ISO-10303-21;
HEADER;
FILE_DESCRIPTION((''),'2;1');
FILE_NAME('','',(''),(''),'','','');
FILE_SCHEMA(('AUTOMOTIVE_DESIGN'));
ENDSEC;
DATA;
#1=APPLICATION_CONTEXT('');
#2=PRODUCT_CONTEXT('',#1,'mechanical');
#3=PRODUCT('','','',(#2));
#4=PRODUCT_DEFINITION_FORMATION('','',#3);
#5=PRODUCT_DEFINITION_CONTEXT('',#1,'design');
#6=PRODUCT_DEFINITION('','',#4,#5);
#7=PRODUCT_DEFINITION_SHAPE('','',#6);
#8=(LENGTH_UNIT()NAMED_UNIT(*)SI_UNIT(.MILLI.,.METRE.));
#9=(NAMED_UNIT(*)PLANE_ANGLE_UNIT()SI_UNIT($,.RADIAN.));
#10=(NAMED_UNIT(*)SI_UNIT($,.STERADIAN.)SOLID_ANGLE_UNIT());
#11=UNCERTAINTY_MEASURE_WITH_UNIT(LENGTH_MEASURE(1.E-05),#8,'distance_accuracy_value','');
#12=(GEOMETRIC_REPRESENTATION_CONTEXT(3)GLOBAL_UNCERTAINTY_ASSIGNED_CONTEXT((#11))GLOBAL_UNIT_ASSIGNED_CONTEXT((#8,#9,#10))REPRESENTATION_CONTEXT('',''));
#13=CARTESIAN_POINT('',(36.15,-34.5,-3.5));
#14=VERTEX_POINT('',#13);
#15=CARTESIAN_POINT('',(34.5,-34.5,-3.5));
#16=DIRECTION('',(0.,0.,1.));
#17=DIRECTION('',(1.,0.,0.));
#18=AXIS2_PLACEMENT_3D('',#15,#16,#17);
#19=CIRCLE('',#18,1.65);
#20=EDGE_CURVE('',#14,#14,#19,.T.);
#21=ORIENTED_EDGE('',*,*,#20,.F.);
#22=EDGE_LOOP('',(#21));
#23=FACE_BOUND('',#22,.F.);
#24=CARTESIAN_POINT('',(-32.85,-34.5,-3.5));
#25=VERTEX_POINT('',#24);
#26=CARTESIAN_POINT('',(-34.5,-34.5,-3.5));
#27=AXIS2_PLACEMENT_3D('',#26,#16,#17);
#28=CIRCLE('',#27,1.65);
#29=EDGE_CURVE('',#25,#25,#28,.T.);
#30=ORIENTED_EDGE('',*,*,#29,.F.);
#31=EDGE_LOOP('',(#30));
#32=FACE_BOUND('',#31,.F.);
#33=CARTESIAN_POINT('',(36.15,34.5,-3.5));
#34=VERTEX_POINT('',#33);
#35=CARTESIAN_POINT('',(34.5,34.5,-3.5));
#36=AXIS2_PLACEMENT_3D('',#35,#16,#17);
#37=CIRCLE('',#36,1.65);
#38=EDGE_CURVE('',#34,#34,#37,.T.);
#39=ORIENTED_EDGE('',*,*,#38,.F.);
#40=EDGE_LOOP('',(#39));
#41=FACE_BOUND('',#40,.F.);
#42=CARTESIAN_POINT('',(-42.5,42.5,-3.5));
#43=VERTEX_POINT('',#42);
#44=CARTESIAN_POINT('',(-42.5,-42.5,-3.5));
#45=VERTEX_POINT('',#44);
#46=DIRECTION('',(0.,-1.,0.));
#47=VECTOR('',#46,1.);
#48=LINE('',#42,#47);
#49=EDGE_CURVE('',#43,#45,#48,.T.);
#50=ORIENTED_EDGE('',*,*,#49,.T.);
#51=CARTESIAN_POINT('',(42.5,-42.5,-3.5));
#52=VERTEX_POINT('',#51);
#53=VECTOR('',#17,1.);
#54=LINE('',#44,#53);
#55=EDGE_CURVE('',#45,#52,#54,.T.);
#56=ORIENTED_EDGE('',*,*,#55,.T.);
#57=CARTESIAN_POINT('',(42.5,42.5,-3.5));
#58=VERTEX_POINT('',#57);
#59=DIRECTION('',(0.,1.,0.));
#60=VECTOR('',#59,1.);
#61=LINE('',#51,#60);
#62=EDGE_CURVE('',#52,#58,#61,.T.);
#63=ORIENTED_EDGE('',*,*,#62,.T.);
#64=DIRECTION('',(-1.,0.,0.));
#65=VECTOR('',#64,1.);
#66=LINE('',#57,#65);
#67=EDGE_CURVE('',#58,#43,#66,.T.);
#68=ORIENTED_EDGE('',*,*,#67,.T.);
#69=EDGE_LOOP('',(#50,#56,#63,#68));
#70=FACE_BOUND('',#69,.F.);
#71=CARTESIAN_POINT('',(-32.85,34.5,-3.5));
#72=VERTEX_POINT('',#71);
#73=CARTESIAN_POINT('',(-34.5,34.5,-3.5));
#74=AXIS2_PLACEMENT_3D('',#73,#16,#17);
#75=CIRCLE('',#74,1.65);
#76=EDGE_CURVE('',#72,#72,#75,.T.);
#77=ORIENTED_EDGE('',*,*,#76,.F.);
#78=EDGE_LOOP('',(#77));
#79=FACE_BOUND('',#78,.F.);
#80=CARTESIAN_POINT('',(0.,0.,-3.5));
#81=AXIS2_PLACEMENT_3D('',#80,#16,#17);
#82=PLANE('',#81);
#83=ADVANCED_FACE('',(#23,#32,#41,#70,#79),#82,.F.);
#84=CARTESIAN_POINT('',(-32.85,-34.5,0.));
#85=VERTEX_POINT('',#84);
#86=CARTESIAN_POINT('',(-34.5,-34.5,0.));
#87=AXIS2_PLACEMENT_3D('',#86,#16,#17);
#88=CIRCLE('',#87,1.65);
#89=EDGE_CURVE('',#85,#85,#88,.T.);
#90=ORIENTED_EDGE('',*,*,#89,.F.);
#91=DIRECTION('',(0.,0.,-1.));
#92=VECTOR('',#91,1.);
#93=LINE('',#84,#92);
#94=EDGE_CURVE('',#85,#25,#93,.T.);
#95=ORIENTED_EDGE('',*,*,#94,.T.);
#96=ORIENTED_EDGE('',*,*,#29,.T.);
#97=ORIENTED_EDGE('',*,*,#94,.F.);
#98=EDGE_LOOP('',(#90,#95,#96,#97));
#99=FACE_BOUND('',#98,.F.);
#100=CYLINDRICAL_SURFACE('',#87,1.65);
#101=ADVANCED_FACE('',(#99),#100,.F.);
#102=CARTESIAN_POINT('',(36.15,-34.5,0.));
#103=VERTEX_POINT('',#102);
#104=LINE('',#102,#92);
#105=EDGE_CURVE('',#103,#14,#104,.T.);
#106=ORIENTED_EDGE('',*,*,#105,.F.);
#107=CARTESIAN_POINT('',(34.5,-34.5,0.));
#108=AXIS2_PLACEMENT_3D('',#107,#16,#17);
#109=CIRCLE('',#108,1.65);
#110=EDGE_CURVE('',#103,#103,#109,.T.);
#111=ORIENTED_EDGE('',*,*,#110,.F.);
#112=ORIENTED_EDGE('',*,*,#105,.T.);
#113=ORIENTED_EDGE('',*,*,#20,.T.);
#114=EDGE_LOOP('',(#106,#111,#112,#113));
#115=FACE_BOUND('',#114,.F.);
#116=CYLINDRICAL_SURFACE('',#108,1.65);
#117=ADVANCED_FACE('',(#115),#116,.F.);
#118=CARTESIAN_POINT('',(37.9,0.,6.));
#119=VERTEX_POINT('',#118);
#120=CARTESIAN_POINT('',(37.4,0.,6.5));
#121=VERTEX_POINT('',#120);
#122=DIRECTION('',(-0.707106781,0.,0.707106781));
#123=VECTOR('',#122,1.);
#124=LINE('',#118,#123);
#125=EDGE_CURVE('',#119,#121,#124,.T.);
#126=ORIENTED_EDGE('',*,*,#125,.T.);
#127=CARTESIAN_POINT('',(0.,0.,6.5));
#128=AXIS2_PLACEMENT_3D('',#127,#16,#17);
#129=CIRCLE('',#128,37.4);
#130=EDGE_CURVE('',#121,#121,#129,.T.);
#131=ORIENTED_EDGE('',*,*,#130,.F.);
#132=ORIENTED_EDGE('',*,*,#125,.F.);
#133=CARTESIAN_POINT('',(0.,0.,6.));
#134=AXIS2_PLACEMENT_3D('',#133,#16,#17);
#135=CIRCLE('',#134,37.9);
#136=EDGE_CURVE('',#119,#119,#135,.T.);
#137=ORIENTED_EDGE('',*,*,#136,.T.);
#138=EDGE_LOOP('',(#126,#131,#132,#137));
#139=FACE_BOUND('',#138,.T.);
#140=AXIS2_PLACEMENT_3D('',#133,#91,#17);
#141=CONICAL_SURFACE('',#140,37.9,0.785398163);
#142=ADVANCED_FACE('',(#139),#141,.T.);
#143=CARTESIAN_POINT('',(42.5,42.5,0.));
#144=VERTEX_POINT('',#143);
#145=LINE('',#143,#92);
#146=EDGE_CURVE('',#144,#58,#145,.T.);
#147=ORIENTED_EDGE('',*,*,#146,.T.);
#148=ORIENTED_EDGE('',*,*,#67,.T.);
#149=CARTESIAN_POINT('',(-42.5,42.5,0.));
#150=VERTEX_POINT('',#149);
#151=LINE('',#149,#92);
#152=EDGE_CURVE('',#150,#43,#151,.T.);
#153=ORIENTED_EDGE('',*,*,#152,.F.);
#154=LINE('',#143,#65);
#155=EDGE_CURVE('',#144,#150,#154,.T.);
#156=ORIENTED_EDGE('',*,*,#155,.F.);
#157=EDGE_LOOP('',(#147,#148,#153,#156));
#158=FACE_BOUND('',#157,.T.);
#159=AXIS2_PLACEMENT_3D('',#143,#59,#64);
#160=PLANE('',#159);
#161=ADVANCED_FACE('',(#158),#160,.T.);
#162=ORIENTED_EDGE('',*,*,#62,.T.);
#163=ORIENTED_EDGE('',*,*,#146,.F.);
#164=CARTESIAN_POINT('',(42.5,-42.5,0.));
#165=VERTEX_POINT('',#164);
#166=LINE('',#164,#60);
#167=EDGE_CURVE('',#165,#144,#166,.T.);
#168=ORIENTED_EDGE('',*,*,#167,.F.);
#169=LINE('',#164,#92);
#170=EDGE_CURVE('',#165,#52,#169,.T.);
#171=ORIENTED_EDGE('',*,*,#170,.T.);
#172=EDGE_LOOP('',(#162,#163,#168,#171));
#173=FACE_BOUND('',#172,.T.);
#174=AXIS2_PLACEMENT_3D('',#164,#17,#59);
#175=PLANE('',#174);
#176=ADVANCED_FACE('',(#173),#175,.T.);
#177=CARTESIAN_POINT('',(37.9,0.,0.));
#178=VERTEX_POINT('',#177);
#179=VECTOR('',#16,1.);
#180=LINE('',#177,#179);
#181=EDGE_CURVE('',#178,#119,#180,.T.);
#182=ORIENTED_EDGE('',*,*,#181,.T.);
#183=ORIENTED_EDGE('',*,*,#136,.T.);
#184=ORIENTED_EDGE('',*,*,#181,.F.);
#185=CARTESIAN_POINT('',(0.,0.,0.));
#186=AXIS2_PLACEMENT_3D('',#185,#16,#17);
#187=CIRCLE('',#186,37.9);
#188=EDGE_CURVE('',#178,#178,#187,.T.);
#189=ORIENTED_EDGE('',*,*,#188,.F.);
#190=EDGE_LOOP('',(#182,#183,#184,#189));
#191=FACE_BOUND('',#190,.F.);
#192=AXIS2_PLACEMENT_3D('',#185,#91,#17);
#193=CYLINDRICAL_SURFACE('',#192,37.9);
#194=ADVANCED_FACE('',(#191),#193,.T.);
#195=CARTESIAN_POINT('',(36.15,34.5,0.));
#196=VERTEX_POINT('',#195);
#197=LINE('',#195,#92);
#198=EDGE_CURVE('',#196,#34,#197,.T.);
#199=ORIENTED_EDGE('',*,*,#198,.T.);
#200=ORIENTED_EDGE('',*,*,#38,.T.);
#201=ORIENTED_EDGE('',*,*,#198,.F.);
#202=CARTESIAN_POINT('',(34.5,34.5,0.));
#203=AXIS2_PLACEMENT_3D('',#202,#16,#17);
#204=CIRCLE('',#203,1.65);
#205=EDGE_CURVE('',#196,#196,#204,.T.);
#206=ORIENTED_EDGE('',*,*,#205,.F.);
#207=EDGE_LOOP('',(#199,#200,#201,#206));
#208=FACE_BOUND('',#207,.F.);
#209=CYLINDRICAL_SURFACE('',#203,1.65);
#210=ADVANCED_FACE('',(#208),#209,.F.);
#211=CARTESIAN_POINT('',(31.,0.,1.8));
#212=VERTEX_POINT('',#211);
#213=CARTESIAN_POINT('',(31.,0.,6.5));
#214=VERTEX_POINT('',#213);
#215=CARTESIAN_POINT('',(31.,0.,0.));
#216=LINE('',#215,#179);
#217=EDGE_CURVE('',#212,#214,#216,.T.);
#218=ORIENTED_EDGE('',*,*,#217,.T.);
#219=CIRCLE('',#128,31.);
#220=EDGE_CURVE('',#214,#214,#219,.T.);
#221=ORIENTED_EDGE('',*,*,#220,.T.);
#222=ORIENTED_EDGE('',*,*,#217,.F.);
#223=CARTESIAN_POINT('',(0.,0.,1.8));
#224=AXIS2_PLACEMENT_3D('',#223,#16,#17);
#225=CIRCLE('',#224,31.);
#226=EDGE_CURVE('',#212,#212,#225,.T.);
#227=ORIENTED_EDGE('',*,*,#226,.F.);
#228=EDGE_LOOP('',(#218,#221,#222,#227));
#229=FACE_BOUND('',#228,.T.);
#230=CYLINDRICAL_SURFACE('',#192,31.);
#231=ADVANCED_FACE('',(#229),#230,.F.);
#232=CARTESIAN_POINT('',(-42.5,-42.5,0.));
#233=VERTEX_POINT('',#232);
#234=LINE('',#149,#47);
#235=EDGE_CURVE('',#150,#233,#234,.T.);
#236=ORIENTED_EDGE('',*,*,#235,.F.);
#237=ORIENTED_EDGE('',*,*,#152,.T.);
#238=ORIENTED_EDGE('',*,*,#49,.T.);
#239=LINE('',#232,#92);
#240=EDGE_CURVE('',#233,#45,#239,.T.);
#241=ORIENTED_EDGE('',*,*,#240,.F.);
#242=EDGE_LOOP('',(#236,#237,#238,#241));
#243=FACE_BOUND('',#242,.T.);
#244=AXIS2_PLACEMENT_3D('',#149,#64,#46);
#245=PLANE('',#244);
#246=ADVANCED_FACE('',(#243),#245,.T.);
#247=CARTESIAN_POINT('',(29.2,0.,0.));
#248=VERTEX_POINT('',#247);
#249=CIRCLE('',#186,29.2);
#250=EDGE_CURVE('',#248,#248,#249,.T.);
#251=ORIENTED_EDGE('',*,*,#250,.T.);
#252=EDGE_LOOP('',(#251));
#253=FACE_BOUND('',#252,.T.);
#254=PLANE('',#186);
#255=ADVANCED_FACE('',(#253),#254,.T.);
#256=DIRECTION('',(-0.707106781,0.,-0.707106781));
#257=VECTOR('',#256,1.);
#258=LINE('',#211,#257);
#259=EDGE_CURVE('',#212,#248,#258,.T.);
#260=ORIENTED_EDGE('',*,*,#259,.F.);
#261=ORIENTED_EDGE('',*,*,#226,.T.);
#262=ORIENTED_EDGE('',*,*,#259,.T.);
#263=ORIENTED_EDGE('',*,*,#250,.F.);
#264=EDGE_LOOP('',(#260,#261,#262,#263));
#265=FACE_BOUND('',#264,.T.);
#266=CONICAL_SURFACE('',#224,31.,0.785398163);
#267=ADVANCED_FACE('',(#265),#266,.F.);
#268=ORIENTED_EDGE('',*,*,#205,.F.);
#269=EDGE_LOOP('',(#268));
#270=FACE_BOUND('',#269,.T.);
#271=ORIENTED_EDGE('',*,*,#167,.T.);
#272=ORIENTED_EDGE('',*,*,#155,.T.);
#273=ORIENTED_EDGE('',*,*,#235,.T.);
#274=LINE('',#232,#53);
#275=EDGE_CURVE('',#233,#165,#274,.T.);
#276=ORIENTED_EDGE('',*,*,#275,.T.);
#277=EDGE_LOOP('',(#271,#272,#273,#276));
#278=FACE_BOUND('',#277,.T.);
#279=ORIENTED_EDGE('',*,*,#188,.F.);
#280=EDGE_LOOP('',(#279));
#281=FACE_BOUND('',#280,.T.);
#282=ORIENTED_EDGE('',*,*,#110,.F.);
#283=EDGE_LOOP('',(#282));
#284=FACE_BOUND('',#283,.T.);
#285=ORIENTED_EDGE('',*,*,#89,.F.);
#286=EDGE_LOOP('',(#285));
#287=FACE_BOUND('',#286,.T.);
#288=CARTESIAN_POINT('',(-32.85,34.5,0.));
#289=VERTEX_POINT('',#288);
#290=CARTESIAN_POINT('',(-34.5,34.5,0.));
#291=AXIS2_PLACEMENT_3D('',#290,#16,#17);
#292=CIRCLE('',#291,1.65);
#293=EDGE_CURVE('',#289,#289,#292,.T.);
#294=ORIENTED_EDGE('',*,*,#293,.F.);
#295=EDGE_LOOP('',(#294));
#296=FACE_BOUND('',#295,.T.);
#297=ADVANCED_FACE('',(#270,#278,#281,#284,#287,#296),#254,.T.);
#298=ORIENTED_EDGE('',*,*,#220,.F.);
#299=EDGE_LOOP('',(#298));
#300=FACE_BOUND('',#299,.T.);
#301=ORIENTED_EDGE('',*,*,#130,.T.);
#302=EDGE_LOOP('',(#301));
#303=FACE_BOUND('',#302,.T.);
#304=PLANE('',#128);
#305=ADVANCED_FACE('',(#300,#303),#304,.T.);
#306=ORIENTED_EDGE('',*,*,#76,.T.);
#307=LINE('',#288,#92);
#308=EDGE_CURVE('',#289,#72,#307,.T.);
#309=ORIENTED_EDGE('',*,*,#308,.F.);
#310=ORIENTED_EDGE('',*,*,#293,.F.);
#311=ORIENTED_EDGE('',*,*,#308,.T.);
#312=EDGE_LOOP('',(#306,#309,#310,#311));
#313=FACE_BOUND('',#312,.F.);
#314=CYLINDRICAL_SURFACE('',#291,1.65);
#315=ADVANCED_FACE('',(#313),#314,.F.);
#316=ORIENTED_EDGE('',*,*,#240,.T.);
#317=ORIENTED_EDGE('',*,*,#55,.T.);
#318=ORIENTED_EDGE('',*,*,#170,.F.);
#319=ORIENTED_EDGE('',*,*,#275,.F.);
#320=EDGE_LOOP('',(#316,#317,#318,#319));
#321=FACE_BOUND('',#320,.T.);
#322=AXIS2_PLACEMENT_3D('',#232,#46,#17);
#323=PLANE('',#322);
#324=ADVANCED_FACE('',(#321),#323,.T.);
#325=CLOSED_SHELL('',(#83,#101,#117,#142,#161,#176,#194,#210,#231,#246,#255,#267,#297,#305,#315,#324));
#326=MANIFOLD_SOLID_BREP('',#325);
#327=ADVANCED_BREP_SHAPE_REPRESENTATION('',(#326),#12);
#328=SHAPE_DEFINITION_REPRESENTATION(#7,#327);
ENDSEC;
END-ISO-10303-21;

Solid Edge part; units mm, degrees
sketch "Sketch1" plane through (0, 0, 0) normal (0, 0, 1) x (1, 0, 0)
  circle A0 centre (34.5, 34.5) radius 1.65
  circle A1 centre (-34.5, 34.5) radius 1.65
  circle A2 centre (-34.5, -34.5) radius 1.65
  circle A3 centre (34.5, -34.5) radius 1.65
  line L0 (42.5, 42.5) -> (-42.5, 42.5)
  line L1 (-42.5, 42.5) -> (-42.5, -42.5)
  line L2 (-42.5, -42.5) -> (42.5, -42.5)
  line L3 (42.5, -42.5) -> (42.5, 42.5)
extrude "Protrusion1" add sketch "Sketch1" against normal blind 3.5
sketch "Sketch2" plane through (0, 0, 0) normal (0, 0, 1) x (1, 0, 0)
  circle A0 centre (0, 0) radius 31
  circle A1 centre (0, 0) radius 37.9
extrude "ExtrudedProtrusion_2" add sketch "Sketch2" along normal blind 6.5
chamfer "Chamfer_1" distance 0.5 angle 45 1 edges at (-37.9, 0, 6.5)
chamfer "Chamfer_2" distance 1.8 angle 45 1 edges at (-31, 0, 0)
